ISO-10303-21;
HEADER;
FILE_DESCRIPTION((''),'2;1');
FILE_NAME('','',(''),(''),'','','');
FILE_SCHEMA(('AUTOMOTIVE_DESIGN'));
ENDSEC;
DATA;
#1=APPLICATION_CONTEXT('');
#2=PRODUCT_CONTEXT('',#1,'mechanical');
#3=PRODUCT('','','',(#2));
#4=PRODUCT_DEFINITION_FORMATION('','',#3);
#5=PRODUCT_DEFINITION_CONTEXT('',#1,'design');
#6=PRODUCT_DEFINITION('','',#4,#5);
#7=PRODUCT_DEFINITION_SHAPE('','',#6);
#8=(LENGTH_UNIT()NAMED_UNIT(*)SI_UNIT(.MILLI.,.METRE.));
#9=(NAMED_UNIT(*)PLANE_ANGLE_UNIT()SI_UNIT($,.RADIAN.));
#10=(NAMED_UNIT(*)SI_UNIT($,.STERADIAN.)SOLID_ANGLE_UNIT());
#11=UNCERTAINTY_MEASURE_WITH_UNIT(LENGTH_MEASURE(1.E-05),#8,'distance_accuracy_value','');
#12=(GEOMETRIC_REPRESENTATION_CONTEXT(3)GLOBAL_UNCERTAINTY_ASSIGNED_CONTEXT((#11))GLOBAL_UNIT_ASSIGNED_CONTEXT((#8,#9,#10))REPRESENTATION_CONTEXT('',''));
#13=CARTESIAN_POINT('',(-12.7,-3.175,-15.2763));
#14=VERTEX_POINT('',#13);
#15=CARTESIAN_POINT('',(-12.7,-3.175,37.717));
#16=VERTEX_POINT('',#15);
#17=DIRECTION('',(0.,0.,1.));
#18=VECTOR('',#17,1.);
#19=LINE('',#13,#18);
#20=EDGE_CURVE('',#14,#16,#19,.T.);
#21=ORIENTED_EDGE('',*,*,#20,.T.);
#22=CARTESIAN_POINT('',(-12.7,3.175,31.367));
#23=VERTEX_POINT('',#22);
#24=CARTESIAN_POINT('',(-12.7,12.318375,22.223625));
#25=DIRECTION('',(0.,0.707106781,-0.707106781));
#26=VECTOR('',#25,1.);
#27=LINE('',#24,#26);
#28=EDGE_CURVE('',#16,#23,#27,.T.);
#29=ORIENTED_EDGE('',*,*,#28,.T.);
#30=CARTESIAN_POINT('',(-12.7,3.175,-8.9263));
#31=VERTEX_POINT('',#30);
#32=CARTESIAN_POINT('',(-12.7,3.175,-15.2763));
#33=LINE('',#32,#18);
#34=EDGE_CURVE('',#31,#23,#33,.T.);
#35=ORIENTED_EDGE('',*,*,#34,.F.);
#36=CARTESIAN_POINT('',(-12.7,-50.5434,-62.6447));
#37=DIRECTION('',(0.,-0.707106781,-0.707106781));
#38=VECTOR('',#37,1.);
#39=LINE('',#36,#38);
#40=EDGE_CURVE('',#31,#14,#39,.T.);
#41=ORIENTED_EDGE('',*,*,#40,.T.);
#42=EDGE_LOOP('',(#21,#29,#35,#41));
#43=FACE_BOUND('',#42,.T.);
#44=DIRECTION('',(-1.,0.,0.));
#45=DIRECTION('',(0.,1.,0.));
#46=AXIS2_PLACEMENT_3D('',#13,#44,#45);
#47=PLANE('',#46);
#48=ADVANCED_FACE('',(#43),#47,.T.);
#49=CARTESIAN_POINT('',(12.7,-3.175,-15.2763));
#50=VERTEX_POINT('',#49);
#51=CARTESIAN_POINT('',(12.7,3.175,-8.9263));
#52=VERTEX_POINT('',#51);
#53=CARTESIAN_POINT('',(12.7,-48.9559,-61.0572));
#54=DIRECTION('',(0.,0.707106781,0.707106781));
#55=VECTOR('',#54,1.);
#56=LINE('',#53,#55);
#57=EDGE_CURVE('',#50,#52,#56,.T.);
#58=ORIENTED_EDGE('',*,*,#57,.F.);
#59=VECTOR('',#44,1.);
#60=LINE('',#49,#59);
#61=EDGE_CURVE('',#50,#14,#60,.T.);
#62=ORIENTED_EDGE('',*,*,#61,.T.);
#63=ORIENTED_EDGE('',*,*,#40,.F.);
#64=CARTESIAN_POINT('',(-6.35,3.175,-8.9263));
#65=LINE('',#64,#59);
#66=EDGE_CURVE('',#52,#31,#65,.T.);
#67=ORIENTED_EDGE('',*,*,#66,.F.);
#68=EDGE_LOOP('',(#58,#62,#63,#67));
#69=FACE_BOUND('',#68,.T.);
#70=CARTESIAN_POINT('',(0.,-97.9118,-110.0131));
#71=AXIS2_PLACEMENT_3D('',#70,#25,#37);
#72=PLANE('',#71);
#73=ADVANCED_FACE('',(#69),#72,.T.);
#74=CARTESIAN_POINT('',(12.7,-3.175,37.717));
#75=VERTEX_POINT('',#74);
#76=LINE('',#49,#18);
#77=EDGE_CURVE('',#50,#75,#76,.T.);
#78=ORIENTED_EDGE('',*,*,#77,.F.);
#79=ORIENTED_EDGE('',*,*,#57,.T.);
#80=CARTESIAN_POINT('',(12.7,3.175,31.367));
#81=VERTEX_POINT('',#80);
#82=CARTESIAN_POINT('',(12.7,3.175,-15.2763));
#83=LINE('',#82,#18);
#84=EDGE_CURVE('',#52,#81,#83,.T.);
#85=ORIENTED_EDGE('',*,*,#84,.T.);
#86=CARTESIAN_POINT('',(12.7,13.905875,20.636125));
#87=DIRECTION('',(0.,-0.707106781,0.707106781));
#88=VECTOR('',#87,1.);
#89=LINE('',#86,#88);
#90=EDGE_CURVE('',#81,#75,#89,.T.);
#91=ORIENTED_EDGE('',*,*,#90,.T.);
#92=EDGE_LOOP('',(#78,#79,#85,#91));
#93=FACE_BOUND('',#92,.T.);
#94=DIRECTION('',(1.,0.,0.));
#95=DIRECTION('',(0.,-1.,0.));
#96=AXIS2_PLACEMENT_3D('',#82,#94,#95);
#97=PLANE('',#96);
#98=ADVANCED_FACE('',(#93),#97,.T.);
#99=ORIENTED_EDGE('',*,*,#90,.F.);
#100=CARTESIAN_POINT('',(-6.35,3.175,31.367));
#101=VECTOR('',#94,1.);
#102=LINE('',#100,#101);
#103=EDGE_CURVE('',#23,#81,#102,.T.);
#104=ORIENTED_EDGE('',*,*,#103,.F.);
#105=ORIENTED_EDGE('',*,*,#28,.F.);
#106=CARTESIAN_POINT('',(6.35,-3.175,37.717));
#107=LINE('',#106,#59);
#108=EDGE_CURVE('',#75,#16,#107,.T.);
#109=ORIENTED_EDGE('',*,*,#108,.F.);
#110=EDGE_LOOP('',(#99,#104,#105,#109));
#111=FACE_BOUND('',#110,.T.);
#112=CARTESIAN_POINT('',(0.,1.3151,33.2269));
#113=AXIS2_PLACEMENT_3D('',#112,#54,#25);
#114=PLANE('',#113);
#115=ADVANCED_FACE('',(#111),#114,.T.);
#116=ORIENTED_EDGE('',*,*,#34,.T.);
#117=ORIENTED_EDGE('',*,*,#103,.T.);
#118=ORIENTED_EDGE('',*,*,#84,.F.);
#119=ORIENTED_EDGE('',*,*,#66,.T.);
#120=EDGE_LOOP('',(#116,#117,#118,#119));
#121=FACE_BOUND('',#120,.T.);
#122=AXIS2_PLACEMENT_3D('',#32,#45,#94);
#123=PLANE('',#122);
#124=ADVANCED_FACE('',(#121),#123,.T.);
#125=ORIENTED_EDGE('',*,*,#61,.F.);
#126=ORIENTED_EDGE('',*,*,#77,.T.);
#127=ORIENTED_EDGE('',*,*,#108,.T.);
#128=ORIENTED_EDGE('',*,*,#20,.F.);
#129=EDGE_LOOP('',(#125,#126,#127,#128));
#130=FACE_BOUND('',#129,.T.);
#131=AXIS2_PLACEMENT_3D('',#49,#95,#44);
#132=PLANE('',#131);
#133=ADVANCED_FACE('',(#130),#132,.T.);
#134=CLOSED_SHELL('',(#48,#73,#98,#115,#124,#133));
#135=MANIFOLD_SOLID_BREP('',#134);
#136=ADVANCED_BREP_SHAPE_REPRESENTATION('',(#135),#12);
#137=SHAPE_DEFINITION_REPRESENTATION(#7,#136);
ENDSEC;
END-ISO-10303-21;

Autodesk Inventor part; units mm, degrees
ref_plane "Start plane" through (0, 0, -15.2763) normal (0, 0, 1) x (1, 0, 0)
ref_plane "End plane" through (0, 0, 37.7171) normal (0, 0, 1) x (1, 0, 0)
sketch "Sketch" plane through (0, 0, 0) normal (0, 0, 1) x (1, 0, 0)
  line L0 (12.7, -3.175) -> (-12.7, -3.175)
  line L1 (-12.7, -3.175) -> (-12.7, 3.175)
  line L2 (-12.7, 3.175) -> (12.7, 3.175)
  line L3 (12.7, 3.175) -> (12.7, -3.175)
  line L4 (-6, 0) -> (8, 0) construction
  line L5 (0, -30) -> (0, 40) construction
  line L6 (0, 54) -> (0, -44) construction
  line L7 (-17.78, 0) -> (17.78, 0) construction
  dimension "d0" = 6.35
  dimension "d1" = 25.4
  dimension "d4" = 12.7
  dimension "d5" = 3.175
extrude "Body" add sketch "Sketch" along normal up to surface (52.9934 mm away) from surface at -15.2763
sketch "Sketch3" plane through (0, 0, 0) normal (0, 0, 1) x (1, 0, 0)
  line L0 (0, 0) -> (10, 0)
ref_plane "Work Plane3" through (0, 0, 0) normal (0, -1, 0) x (1, 0, 0)
sketch "Sketch4" plane through (0, 0, 0) normal (0, -1, 0) x (1, 0, 0)
  line L0 (-2, -15.2763) -> (12, -15.2763)
  line L1 (-2, 37.7171) -> (12, 37.7171)
  dimension "d9" = 52.9934
ref_plane "Work Plane4" through (0, 1.3151, 33.2269) normal (0, 0.7071, 0.7071) x (1, 0, 0)
split "Split1" plane through (0, 1.3151, 33.2269) removes the side toward (0, 0.7071, 0.7071)
ref_plane "Work Plane5" through (0, -97.9118, -110.0131) normal (0, 0.7071, -0.7071) x (1, 0, 0)
split "Split2" plane through (0, -97.9118, -110.0131) removes the side toward (0, 0.7071, -0.7071)
equation "\"d0\" = G_W"
equation "\"d1\" = G_H"
equation "\"d4\" = 0.5 * d1"
equation "\"d5\" = 0.5 * d0"
equation "\"d2\" = G_L"
equation "\"G_W\" = 6.35"
equation "\"G_H\" = 25.4"
equation "\"G_L\" = d9"
equation "\"G_OFFSET_START\" = 15.27633"
equation "\"G_OFFSET_END\" = 8.98026"
equation "\"d6\" = -G_OFFSET_START"
equation "\"d7\" = G_OFFSET_END + B_L"
equation "\"B_L\" = 28.73682"
properties part number "AISC - 1/4x1 - 2.086" material "Steel, Mild"
